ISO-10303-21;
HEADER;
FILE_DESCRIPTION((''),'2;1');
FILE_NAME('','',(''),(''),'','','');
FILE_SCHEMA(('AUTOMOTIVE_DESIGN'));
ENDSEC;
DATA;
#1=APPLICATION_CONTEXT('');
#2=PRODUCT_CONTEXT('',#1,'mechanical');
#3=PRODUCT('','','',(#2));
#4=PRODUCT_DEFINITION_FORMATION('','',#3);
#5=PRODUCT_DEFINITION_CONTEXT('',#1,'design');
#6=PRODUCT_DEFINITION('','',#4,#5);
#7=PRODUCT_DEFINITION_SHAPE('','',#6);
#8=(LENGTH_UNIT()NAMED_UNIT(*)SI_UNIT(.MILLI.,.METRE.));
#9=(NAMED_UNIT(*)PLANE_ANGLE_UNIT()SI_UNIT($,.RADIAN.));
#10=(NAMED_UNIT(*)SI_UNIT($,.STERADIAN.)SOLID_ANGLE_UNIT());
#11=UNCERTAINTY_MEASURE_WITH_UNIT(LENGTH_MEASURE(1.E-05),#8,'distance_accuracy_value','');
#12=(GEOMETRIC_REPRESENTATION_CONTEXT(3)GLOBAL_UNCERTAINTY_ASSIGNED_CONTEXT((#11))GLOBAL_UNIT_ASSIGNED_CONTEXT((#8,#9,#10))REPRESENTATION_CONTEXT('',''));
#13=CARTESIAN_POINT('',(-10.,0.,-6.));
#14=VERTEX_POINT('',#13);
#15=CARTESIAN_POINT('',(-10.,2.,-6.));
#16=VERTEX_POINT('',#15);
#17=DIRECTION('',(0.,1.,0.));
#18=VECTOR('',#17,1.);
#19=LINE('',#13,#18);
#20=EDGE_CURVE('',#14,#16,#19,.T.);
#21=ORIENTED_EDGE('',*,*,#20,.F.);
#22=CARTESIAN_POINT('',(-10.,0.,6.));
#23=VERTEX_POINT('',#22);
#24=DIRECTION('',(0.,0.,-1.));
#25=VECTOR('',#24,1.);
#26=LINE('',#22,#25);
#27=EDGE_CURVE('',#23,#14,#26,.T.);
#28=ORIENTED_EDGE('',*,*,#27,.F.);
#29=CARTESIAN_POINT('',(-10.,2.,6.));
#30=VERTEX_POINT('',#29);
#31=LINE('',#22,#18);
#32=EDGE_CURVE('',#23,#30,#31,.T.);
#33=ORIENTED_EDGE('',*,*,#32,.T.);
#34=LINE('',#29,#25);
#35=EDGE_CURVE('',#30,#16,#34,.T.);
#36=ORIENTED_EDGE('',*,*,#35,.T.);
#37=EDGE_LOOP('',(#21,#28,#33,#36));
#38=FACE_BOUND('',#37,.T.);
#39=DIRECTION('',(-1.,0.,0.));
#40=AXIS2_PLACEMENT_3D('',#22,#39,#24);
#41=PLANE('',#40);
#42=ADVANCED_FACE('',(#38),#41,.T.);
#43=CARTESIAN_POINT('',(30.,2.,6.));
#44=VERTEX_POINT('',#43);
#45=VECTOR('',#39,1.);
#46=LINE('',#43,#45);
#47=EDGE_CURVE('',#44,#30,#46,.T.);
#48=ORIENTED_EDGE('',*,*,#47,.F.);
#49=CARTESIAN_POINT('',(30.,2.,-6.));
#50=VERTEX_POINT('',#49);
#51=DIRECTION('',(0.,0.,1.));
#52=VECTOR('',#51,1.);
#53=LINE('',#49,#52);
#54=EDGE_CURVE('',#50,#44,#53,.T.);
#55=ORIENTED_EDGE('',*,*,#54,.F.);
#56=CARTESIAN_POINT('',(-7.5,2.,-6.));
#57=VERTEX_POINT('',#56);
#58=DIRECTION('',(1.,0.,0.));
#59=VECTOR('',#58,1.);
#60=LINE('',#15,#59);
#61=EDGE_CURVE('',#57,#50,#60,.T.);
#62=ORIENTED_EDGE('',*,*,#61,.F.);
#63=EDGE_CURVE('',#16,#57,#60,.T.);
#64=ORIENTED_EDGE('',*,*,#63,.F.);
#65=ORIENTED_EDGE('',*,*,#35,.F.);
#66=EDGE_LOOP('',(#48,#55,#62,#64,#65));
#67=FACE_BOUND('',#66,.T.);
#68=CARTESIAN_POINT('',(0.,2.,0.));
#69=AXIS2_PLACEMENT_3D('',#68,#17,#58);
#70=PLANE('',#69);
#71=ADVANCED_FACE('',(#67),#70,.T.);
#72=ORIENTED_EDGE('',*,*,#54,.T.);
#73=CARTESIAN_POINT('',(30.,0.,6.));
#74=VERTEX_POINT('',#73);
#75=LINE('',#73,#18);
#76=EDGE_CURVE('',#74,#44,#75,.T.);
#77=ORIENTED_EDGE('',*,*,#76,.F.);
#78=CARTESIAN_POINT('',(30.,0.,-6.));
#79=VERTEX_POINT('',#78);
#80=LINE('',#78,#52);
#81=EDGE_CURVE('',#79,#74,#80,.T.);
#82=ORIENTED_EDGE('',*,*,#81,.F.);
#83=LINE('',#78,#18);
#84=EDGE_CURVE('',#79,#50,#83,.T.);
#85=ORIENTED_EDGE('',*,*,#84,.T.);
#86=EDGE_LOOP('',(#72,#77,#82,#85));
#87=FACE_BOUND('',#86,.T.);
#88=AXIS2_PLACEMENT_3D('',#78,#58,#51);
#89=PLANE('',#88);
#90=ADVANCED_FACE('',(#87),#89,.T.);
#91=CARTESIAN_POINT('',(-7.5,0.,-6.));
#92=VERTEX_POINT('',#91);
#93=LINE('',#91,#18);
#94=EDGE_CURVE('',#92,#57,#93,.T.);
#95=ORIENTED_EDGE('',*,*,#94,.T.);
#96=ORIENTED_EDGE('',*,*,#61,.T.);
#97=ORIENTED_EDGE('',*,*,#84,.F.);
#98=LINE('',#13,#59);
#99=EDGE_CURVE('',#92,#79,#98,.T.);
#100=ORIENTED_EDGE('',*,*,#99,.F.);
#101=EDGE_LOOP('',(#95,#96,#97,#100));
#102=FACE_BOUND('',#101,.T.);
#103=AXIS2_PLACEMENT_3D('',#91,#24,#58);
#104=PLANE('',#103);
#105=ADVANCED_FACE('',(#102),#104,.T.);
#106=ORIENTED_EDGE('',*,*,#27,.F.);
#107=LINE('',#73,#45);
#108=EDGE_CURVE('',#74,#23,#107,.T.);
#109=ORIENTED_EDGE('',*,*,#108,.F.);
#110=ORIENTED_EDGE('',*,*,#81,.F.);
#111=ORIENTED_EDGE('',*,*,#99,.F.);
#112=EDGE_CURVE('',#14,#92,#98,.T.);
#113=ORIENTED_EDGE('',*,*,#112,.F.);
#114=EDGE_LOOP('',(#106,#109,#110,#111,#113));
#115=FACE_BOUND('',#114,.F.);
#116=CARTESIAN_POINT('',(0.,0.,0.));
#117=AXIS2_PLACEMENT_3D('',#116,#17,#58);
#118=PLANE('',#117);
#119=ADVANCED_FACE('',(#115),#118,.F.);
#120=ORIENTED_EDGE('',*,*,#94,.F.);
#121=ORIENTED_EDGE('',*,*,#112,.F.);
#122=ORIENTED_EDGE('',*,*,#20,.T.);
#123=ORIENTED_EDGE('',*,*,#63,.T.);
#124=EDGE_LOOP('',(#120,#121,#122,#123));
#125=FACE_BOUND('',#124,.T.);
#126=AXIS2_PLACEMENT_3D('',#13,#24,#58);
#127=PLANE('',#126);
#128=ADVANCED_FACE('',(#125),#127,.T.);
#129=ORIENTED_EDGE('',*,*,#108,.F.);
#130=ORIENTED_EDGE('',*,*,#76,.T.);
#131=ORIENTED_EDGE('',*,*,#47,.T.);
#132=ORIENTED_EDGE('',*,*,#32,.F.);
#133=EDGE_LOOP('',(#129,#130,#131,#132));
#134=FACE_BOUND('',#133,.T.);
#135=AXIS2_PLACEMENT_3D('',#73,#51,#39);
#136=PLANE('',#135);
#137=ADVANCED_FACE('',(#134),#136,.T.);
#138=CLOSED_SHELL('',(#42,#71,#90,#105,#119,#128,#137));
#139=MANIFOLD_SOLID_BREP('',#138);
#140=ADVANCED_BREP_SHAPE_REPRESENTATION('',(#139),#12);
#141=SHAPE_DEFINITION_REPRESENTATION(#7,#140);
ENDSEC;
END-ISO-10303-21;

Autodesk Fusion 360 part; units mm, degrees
sketch "Esquisse1" plane through (0, 0, 0) normal (0, 1, 0) x (1, 0, 0)
  line L0 (-10, 6) -> (30, 6)
  line L1 (30, 6) -> (30, -6)
  line L2 (30, -6) -> (-10, -6)
  line L3 (-10, -6) -> (-10, 6)
  line L4 (-10, 6) -> (-10, -6)
  line L5 (30, -6) -> (30, 6)
  line L6 (-7.5, 6) -> (-10, 6)
  line L7 (-10, 6) -> (-10, -6)
  line L8 (30, 6) -> (30, -6)
extrude "Extrusion5" add sketch "Esquisse1" along normal blind 2
